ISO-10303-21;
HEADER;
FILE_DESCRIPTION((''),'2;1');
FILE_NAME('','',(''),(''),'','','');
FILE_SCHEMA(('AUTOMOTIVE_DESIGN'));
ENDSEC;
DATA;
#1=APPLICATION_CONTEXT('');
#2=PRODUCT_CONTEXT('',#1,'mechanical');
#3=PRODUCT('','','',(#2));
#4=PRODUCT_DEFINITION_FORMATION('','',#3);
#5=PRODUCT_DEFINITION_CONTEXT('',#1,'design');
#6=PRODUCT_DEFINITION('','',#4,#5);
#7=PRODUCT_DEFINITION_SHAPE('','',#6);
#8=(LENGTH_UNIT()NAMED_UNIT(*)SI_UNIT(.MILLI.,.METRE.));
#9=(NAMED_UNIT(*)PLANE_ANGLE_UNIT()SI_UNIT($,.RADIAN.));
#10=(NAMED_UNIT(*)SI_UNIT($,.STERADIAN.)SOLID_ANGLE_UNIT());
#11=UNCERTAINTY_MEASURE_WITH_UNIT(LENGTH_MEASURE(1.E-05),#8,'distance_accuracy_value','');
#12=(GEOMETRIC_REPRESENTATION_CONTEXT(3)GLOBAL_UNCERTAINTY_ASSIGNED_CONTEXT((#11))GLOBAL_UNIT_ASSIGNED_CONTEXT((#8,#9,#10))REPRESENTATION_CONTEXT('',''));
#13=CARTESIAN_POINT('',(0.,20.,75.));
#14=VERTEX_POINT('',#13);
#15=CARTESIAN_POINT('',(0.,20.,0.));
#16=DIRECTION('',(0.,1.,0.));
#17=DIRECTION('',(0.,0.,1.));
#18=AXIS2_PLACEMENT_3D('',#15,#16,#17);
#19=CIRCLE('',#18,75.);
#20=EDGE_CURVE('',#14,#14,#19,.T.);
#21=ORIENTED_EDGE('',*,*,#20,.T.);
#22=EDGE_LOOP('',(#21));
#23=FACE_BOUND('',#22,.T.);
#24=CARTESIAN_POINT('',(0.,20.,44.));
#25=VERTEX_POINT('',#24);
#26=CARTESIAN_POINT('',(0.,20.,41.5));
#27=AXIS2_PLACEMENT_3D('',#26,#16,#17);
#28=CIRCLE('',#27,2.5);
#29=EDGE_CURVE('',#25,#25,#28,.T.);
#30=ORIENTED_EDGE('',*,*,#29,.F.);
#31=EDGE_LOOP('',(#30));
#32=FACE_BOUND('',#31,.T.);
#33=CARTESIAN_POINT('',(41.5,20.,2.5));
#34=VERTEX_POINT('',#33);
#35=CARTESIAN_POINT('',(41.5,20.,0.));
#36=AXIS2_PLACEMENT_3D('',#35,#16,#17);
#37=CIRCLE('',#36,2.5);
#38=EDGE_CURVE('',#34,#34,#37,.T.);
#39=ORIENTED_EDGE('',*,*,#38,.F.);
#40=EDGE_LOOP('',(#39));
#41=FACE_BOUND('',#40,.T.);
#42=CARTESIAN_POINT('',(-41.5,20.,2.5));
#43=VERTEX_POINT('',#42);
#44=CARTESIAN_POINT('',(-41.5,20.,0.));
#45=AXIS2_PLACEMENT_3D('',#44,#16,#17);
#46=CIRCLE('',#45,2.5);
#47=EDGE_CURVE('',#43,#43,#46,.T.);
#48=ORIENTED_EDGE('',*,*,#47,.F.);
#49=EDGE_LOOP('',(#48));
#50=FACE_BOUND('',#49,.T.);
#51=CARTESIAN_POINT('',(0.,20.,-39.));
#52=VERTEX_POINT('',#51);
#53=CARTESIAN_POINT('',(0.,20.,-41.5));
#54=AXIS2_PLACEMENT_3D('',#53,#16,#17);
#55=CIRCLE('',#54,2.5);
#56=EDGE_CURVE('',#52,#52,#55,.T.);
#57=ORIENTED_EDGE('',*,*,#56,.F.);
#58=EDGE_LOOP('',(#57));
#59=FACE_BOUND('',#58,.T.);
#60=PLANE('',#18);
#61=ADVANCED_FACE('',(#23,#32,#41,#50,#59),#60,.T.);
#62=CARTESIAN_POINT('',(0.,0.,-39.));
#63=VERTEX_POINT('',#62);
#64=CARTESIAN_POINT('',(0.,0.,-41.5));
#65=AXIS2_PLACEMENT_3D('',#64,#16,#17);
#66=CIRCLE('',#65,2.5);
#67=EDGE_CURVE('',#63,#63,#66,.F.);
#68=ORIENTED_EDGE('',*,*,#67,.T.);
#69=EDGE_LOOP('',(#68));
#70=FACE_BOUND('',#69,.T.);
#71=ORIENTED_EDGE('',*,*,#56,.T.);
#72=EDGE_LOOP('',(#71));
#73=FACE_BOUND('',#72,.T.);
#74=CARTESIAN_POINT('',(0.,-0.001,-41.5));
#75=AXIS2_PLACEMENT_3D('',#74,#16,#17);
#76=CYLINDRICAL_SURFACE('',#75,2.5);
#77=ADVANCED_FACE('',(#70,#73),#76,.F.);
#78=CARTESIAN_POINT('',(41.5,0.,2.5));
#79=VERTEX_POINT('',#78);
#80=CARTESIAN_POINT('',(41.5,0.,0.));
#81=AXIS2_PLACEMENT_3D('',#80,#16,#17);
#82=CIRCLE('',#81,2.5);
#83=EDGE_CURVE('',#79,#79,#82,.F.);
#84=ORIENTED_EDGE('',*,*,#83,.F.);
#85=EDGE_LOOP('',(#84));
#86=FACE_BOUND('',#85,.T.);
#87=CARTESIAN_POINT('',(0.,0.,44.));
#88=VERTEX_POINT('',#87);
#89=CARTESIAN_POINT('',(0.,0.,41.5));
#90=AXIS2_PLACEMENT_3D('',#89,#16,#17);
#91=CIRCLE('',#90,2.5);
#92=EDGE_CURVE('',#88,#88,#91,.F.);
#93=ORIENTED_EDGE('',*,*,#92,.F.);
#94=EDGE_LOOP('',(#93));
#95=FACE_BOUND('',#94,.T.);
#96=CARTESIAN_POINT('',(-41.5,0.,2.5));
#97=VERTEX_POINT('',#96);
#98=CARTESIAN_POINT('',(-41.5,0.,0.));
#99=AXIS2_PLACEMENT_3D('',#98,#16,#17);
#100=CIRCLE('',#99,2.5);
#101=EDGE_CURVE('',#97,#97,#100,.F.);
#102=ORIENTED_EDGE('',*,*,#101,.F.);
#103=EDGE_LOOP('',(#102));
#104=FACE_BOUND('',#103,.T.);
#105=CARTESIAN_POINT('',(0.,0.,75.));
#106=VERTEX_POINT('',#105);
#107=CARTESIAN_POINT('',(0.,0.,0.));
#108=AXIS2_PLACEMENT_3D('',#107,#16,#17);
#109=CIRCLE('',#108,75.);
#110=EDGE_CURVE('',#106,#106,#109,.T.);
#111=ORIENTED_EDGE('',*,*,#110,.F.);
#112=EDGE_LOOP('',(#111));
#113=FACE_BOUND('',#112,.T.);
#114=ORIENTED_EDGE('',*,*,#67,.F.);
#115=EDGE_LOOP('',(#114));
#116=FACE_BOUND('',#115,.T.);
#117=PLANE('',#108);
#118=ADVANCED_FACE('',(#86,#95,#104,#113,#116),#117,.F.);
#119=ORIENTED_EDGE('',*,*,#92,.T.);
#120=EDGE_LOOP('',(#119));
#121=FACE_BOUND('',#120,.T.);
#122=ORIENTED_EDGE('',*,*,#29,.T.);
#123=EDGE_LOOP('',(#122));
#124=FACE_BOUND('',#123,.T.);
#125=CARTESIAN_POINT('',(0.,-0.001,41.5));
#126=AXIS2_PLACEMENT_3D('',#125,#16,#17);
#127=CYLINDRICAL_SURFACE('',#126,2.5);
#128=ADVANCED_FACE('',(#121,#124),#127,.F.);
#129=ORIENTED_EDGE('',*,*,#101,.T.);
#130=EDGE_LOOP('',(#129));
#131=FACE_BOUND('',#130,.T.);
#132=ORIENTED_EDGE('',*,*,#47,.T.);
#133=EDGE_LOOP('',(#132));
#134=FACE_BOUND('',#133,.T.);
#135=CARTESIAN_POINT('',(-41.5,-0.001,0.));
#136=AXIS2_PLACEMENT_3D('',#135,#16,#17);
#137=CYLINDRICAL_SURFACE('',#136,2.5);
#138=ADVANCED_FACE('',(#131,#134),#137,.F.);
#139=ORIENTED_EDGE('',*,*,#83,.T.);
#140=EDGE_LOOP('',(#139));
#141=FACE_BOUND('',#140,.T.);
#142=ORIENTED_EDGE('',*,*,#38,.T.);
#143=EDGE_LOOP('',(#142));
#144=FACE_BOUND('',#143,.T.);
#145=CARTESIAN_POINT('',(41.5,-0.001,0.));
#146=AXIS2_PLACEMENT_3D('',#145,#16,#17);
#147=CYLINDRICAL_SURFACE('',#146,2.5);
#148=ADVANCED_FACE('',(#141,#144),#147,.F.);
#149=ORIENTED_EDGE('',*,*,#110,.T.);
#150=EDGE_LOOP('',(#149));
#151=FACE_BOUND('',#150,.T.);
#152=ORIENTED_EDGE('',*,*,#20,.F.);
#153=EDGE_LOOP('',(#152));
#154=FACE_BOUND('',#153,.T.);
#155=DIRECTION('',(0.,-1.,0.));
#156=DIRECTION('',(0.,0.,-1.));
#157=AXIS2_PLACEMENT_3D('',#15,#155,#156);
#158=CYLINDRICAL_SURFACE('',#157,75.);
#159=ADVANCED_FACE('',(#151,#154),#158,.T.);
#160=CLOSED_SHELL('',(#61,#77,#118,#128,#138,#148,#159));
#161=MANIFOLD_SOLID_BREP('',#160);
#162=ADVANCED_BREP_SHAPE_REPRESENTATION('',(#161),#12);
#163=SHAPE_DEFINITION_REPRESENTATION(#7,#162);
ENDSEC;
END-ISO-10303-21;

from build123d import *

# Parameters (mm, degrees)
SKETCH1_R           = 75
BOSS_EXTRUDE1_DEPTH = 20
CUT_EXTRUDE1_REACH  = 109.935
SKETCH2_R           = 2.5


with BuildPart() as part:
    # Sketch1 → Boss-Extrude1 (new body)
    with BuildSketch(Plane(origin=(0, 0, 0), x_dir=(1, 0, 0), z_dir=(0, 1, 0))):
        with Locations(Location((0, 0, 0), (0, 0, 270))):
            Circle(SKETCH1_R)
    extrude(amount=BOSS_EXTRUDE1_DEPTH)

    # Sketch2 → Cut-Extrude1 (cut, up to next)
    with BuildSketch(Plane(origin=(0, 20, 0), x_dir=(1, 0, 0), z_dir=(0, 1, 0)), mode=Mode.PRIVATE) as cut_extrude1_sk1:
        with Locations(Location((0, 41.5, 0), (0, 0, 270))):
            Circle(SKETCH2_R)
    cut_extrude1_tool1 = extrude(cut_extrude1_sk1.sketch, amount=-CUT_EXTRUDE1_REACH, mode=Mode.PRIVATE) & part.part
    # Sketch2 → Cut-Extrude1 (cut, up to next)
    with BuildSketch(Plane(origin=(0, 20, 0), x_dir=(1, 0, 0), z_dir=(0, 1, 0)), mode=Mode.PRIVATE) as cut_extrude1_sk2:
        with Locations(Location((41.5, 0, 0), (0, 0, 270))):
            Circle(SKETCH2_R)
    cut_extrude1_tool2 = extrude(cut_extrude1_sk2.sketch, amount=-CUT_EXTRUDE1_REACH, mode=Mode.PRIVATE) & part.part
    # Sketch2 → Cut-Extrude1 (cut, up to next)
    with BuildSketch(Plane(origin=(0, 20, 0), x_dir=(1, 0, 0), z_dir=(0, 1, 0)), mode=Mode.PRIVATE) as cut_extrude1_sk3:
        with Locations(Location((0, -41.5, 0), (0, 0, 270))):
            Circle(SKETCH2_R)
    cut_extrude1_tool3 = extrude(cut_extrude1_sk3.sketch, amount=-CUT_EXTRUDE1_REACH, mode=Mode.PRIVATE) & part.part
    # Sketch2 → Cut-Extrude1 (cut, up to next)
    with BuildSketch(Plane(origin=(0, 20, 0), x_dir=(1, 0, 0), z_dir=(0, 1, 0)), mode=Mode.PRIVATE) as cut_extrude1_sk4:
        with Locations(Location((-41.5, 0, 0), (0, 0, 270))):
            Circle(SKETCH2_R)
    cut_extrude1_tool4 = extrude(cut_extrude1_sk4.sketch, amount=-CUT_EXTRUDE1_REACH, mode=Mode.PRIVATE) & part.part
    add(cut_extrude1_tool1.solids().sort_by_distance((0, 20, -41.5))[0], mode=Mode.SUBTRACT)
    add(cut_extrude1_tool2.solids().sort_by_distance((41.5, 20, 0))[0], mode=Mode.SUBTRACT)
    add(cut_extrude1_tool3.solids().sort_by_distance((0, 20, 41.5))[0], mode=Mode.SUBTRACT)
    add(cut_extrude1_tool4.solids().sort_by_distance((-41.5, 20, 0))[0], mode=Mode.SUBTRACT)


solid = part.part
